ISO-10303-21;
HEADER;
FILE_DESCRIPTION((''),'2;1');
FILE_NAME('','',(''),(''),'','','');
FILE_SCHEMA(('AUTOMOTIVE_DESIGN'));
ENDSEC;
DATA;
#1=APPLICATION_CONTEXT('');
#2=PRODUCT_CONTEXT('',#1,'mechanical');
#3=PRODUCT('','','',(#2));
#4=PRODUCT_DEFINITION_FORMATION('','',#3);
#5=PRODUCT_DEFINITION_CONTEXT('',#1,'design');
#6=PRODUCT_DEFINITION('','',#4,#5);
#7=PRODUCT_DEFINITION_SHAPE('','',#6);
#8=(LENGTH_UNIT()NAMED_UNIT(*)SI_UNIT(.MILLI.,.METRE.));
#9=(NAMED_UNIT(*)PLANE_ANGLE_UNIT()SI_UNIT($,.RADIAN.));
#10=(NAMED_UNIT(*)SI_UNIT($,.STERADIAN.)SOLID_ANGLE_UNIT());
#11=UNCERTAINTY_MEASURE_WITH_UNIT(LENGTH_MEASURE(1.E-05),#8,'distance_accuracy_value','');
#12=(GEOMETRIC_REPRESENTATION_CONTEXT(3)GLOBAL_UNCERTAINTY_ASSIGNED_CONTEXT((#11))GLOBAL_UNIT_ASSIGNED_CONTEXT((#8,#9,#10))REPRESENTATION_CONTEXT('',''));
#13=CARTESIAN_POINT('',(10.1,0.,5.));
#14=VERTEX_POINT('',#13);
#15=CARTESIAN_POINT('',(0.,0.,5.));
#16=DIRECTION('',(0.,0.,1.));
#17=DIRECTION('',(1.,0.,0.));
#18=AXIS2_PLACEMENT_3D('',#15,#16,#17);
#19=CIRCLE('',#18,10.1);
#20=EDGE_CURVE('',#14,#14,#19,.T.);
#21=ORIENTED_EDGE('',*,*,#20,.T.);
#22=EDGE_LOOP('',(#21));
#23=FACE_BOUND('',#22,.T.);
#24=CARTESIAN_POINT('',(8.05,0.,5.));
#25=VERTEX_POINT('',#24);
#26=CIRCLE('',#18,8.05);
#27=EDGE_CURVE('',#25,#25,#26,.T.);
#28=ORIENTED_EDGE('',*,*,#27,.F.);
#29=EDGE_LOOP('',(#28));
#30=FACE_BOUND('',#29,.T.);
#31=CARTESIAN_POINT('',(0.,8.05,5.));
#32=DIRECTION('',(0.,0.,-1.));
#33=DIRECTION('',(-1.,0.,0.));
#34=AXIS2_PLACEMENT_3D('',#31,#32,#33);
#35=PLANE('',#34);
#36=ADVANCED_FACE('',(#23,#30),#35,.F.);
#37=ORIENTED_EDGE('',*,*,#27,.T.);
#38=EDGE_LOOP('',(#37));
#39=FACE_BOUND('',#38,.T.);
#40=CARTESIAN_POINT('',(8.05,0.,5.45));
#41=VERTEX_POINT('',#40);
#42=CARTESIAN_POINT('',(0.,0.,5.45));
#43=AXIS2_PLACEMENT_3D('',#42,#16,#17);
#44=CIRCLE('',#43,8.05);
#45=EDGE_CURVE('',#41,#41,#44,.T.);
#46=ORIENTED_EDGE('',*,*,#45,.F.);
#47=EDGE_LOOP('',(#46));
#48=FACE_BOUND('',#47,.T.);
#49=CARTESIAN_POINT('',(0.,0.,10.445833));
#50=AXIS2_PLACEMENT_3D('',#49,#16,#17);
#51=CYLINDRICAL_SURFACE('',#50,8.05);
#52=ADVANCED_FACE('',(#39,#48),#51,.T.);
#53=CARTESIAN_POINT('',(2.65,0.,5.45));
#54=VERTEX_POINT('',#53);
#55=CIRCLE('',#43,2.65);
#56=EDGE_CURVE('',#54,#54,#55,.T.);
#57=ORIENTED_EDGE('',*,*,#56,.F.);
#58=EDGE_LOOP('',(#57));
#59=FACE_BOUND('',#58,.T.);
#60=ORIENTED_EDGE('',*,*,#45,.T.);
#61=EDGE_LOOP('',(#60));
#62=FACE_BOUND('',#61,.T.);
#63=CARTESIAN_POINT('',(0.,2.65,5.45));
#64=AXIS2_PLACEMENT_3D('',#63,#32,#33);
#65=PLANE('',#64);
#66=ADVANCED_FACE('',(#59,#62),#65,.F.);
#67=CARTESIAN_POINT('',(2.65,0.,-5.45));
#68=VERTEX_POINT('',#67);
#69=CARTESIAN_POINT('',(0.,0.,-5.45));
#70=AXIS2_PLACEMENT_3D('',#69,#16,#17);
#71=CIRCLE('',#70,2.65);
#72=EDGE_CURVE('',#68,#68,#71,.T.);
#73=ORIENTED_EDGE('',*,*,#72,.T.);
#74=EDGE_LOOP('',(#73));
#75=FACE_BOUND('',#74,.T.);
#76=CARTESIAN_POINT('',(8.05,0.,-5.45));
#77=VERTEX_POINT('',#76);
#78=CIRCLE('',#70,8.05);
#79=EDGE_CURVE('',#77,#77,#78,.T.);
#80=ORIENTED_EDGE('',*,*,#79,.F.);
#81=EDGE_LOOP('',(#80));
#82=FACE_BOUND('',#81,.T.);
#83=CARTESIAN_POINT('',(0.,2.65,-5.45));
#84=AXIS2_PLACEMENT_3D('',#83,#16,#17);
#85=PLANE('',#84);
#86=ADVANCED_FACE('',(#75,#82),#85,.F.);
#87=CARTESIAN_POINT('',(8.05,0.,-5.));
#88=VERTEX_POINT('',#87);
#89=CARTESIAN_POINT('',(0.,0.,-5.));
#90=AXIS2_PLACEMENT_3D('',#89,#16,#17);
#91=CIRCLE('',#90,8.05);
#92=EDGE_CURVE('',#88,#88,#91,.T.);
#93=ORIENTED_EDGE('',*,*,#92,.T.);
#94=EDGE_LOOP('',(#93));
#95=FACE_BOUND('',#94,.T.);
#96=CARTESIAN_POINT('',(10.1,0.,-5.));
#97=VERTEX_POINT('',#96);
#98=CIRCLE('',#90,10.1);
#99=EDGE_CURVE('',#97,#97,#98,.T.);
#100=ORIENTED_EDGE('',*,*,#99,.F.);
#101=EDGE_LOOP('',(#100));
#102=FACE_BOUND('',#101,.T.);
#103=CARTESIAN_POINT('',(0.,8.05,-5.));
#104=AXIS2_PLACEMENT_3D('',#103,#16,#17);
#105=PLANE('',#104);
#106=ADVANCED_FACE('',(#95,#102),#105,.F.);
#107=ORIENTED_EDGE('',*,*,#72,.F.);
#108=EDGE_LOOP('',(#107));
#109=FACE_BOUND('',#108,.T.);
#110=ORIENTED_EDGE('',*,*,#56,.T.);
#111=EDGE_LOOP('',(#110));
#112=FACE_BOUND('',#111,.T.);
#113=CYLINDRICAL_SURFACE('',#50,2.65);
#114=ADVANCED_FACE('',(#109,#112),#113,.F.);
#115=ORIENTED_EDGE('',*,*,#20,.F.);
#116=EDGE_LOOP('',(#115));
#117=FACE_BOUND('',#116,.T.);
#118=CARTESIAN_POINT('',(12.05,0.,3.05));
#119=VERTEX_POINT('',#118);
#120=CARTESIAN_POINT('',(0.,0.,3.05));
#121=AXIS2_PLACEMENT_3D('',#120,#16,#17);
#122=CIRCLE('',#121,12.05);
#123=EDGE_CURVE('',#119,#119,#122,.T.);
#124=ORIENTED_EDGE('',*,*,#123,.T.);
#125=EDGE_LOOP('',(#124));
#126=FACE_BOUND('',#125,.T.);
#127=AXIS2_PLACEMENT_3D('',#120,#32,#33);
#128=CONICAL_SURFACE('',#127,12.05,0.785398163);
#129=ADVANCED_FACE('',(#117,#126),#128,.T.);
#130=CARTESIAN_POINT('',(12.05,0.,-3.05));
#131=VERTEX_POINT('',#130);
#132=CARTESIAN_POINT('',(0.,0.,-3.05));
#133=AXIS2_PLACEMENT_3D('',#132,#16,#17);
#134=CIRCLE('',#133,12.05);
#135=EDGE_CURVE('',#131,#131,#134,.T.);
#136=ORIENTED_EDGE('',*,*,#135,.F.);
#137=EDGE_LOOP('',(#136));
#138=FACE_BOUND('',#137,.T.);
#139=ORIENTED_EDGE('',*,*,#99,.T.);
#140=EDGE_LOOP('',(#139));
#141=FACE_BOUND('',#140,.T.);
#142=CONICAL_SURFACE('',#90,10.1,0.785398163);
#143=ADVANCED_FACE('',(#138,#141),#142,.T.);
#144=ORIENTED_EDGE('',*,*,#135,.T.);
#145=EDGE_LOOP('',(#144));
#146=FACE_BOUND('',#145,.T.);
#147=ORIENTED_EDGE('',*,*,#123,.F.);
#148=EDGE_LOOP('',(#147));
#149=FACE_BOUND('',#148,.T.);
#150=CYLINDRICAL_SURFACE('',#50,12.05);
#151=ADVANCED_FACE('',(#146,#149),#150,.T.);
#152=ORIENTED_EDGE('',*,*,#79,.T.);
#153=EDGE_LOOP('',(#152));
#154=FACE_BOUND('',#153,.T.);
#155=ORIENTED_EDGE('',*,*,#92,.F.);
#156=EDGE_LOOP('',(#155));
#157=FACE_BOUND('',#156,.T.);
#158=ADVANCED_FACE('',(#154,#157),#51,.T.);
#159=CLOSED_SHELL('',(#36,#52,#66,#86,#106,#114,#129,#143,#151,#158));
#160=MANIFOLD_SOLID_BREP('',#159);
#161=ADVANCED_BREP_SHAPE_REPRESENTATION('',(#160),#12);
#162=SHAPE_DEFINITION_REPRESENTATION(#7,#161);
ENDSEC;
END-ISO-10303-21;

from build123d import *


with BuildPart() as part:
    # Sketch2 → Revolve1 (revolve)
    with BuildSketch(Plane(origin=(0, 0, 0), x_dir=(0, 0, -1), z_dir=(1, 0, 0)), mode=Mode.PRIVATE) as revolve1_sk:
        Polygon((-5.45, 2.65), (5.45, 2.65), (5.45, 8.05), (5, 8.05), (5, 10.1), (3.05, 12.05), (-3.05, 12.05), (-5, 10.1), (-5, 8.05), (-5.45, 8.05), align=None)
    revolve(revolve1_sk.sketch.rotate(Axis((0, 0, 10.445833333), (0, 0, -1)), 90), axis=Axis((0, 0, 10.445833333), (0, 0, -1)))


solid = part.part
